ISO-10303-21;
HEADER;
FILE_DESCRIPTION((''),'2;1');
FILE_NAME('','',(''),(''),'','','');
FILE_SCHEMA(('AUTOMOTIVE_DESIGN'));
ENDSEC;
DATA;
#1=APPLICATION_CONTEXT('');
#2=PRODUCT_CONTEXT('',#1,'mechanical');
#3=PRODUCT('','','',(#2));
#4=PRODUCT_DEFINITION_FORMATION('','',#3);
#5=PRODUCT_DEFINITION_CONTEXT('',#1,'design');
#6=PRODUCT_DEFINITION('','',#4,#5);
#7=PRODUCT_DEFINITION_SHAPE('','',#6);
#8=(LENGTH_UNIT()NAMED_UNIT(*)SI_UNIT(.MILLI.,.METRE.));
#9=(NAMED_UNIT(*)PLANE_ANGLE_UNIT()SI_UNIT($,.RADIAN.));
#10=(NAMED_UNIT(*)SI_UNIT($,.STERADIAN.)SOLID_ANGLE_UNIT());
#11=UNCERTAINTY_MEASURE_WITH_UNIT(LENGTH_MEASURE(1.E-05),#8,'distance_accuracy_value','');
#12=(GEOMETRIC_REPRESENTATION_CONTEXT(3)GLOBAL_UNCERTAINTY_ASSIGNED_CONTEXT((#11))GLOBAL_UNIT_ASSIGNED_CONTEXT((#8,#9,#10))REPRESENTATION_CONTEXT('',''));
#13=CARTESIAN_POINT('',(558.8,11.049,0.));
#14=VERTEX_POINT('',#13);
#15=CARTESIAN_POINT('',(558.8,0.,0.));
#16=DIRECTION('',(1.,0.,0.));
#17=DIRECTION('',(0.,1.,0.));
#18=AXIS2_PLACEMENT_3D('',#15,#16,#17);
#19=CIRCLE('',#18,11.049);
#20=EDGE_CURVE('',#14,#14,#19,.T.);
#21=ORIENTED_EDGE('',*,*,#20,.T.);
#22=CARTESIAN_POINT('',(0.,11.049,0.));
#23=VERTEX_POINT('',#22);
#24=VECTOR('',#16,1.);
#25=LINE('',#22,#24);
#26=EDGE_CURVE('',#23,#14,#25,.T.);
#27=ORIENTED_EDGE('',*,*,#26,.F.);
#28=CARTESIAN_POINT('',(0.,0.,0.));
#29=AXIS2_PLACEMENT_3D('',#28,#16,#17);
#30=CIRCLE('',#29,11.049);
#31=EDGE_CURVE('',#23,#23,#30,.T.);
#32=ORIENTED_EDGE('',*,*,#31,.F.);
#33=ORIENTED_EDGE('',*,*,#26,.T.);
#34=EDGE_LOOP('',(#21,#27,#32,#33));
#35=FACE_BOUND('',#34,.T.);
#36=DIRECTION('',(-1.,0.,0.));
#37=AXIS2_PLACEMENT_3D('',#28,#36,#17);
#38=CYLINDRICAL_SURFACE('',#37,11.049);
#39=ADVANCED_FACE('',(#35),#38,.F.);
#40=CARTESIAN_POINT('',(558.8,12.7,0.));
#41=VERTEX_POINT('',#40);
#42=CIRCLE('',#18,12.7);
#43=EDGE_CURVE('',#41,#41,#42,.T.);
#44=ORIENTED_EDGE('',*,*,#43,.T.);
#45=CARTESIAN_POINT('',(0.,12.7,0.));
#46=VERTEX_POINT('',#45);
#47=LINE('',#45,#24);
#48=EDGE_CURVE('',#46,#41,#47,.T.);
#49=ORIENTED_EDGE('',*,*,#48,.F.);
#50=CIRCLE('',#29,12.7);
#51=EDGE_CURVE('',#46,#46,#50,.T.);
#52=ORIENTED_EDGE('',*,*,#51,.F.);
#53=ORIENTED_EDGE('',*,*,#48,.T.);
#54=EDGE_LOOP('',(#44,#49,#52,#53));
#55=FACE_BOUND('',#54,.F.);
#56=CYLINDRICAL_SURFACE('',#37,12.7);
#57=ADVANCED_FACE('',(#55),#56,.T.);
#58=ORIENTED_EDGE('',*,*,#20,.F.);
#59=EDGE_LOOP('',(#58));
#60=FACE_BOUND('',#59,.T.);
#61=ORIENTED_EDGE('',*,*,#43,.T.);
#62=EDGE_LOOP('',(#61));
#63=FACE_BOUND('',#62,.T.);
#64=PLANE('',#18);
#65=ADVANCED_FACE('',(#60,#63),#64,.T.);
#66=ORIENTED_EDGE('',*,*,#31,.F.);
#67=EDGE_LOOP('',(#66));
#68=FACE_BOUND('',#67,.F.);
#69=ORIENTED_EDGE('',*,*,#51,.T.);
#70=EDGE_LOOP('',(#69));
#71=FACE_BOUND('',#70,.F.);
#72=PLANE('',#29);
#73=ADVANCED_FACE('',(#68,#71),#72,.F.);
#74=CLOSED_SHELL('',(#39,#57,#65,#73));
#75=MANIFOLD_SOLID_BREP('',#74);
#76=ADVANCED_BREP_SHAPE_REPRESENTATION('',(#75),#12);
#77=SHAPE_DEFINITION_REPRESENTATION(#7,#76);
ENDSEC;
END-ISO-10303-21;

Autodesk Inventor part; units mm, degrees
ref_plane "XZ Plane" through (0, 0, 0) normal (0, 1, 0) x (-1, 0, 0)
ref_plane "Start Plane" through (0, 0, 0) normal (1, 0, 0) x (0, 1, 0)
ref_plane "End Plane" through (558.8, 0, 0) normal (1, 0, 0) x (0, 1, 0)
sketch "Sketch" plane through (0, 0, 0) normal (1, 0, 0) x (0, 1, 0)
  circle A0 centre (0, 0) radius 12.7
  circle A1 centre (0, 0) radius 11.049
  dimension "d0" = 25.4
  dimension "d1" = 1.651
extrude "Body" add sketch "Sketch" along normal up to surface (558.8 mm away) from surface at 0
sketch "Sketch2" plane through (0, 0, 0) normal (1, 0, 0) x (0, 1, 0)
  line L0 (0, 0) -> (10, 0)
ref_plane "Work Plane3" through (0, 0, 0) normal (0, 0, -1) x (0, 1, 0)
sketch "Sketch3" plane through (0, 0, 0) normal (0, 0, -1) x (0, 1, 0)
  line L0 (-2, 0) -> (12, 0)
  line L1 (-2, 558.8) -> (12, 558.8)
  dimension "d9" = 558.8
equation "\"G_OFFSET_START\" = 0"
equation "\"G_OFFSET_END\" = 0"
equation "\"d5\" = d2 + G_OFFSET_END"
equation "\"G_L\" = d9"
equation "\"d2\" = 558.8"
properties part number "4130_1x0.065" material "Steel, Alloy"
